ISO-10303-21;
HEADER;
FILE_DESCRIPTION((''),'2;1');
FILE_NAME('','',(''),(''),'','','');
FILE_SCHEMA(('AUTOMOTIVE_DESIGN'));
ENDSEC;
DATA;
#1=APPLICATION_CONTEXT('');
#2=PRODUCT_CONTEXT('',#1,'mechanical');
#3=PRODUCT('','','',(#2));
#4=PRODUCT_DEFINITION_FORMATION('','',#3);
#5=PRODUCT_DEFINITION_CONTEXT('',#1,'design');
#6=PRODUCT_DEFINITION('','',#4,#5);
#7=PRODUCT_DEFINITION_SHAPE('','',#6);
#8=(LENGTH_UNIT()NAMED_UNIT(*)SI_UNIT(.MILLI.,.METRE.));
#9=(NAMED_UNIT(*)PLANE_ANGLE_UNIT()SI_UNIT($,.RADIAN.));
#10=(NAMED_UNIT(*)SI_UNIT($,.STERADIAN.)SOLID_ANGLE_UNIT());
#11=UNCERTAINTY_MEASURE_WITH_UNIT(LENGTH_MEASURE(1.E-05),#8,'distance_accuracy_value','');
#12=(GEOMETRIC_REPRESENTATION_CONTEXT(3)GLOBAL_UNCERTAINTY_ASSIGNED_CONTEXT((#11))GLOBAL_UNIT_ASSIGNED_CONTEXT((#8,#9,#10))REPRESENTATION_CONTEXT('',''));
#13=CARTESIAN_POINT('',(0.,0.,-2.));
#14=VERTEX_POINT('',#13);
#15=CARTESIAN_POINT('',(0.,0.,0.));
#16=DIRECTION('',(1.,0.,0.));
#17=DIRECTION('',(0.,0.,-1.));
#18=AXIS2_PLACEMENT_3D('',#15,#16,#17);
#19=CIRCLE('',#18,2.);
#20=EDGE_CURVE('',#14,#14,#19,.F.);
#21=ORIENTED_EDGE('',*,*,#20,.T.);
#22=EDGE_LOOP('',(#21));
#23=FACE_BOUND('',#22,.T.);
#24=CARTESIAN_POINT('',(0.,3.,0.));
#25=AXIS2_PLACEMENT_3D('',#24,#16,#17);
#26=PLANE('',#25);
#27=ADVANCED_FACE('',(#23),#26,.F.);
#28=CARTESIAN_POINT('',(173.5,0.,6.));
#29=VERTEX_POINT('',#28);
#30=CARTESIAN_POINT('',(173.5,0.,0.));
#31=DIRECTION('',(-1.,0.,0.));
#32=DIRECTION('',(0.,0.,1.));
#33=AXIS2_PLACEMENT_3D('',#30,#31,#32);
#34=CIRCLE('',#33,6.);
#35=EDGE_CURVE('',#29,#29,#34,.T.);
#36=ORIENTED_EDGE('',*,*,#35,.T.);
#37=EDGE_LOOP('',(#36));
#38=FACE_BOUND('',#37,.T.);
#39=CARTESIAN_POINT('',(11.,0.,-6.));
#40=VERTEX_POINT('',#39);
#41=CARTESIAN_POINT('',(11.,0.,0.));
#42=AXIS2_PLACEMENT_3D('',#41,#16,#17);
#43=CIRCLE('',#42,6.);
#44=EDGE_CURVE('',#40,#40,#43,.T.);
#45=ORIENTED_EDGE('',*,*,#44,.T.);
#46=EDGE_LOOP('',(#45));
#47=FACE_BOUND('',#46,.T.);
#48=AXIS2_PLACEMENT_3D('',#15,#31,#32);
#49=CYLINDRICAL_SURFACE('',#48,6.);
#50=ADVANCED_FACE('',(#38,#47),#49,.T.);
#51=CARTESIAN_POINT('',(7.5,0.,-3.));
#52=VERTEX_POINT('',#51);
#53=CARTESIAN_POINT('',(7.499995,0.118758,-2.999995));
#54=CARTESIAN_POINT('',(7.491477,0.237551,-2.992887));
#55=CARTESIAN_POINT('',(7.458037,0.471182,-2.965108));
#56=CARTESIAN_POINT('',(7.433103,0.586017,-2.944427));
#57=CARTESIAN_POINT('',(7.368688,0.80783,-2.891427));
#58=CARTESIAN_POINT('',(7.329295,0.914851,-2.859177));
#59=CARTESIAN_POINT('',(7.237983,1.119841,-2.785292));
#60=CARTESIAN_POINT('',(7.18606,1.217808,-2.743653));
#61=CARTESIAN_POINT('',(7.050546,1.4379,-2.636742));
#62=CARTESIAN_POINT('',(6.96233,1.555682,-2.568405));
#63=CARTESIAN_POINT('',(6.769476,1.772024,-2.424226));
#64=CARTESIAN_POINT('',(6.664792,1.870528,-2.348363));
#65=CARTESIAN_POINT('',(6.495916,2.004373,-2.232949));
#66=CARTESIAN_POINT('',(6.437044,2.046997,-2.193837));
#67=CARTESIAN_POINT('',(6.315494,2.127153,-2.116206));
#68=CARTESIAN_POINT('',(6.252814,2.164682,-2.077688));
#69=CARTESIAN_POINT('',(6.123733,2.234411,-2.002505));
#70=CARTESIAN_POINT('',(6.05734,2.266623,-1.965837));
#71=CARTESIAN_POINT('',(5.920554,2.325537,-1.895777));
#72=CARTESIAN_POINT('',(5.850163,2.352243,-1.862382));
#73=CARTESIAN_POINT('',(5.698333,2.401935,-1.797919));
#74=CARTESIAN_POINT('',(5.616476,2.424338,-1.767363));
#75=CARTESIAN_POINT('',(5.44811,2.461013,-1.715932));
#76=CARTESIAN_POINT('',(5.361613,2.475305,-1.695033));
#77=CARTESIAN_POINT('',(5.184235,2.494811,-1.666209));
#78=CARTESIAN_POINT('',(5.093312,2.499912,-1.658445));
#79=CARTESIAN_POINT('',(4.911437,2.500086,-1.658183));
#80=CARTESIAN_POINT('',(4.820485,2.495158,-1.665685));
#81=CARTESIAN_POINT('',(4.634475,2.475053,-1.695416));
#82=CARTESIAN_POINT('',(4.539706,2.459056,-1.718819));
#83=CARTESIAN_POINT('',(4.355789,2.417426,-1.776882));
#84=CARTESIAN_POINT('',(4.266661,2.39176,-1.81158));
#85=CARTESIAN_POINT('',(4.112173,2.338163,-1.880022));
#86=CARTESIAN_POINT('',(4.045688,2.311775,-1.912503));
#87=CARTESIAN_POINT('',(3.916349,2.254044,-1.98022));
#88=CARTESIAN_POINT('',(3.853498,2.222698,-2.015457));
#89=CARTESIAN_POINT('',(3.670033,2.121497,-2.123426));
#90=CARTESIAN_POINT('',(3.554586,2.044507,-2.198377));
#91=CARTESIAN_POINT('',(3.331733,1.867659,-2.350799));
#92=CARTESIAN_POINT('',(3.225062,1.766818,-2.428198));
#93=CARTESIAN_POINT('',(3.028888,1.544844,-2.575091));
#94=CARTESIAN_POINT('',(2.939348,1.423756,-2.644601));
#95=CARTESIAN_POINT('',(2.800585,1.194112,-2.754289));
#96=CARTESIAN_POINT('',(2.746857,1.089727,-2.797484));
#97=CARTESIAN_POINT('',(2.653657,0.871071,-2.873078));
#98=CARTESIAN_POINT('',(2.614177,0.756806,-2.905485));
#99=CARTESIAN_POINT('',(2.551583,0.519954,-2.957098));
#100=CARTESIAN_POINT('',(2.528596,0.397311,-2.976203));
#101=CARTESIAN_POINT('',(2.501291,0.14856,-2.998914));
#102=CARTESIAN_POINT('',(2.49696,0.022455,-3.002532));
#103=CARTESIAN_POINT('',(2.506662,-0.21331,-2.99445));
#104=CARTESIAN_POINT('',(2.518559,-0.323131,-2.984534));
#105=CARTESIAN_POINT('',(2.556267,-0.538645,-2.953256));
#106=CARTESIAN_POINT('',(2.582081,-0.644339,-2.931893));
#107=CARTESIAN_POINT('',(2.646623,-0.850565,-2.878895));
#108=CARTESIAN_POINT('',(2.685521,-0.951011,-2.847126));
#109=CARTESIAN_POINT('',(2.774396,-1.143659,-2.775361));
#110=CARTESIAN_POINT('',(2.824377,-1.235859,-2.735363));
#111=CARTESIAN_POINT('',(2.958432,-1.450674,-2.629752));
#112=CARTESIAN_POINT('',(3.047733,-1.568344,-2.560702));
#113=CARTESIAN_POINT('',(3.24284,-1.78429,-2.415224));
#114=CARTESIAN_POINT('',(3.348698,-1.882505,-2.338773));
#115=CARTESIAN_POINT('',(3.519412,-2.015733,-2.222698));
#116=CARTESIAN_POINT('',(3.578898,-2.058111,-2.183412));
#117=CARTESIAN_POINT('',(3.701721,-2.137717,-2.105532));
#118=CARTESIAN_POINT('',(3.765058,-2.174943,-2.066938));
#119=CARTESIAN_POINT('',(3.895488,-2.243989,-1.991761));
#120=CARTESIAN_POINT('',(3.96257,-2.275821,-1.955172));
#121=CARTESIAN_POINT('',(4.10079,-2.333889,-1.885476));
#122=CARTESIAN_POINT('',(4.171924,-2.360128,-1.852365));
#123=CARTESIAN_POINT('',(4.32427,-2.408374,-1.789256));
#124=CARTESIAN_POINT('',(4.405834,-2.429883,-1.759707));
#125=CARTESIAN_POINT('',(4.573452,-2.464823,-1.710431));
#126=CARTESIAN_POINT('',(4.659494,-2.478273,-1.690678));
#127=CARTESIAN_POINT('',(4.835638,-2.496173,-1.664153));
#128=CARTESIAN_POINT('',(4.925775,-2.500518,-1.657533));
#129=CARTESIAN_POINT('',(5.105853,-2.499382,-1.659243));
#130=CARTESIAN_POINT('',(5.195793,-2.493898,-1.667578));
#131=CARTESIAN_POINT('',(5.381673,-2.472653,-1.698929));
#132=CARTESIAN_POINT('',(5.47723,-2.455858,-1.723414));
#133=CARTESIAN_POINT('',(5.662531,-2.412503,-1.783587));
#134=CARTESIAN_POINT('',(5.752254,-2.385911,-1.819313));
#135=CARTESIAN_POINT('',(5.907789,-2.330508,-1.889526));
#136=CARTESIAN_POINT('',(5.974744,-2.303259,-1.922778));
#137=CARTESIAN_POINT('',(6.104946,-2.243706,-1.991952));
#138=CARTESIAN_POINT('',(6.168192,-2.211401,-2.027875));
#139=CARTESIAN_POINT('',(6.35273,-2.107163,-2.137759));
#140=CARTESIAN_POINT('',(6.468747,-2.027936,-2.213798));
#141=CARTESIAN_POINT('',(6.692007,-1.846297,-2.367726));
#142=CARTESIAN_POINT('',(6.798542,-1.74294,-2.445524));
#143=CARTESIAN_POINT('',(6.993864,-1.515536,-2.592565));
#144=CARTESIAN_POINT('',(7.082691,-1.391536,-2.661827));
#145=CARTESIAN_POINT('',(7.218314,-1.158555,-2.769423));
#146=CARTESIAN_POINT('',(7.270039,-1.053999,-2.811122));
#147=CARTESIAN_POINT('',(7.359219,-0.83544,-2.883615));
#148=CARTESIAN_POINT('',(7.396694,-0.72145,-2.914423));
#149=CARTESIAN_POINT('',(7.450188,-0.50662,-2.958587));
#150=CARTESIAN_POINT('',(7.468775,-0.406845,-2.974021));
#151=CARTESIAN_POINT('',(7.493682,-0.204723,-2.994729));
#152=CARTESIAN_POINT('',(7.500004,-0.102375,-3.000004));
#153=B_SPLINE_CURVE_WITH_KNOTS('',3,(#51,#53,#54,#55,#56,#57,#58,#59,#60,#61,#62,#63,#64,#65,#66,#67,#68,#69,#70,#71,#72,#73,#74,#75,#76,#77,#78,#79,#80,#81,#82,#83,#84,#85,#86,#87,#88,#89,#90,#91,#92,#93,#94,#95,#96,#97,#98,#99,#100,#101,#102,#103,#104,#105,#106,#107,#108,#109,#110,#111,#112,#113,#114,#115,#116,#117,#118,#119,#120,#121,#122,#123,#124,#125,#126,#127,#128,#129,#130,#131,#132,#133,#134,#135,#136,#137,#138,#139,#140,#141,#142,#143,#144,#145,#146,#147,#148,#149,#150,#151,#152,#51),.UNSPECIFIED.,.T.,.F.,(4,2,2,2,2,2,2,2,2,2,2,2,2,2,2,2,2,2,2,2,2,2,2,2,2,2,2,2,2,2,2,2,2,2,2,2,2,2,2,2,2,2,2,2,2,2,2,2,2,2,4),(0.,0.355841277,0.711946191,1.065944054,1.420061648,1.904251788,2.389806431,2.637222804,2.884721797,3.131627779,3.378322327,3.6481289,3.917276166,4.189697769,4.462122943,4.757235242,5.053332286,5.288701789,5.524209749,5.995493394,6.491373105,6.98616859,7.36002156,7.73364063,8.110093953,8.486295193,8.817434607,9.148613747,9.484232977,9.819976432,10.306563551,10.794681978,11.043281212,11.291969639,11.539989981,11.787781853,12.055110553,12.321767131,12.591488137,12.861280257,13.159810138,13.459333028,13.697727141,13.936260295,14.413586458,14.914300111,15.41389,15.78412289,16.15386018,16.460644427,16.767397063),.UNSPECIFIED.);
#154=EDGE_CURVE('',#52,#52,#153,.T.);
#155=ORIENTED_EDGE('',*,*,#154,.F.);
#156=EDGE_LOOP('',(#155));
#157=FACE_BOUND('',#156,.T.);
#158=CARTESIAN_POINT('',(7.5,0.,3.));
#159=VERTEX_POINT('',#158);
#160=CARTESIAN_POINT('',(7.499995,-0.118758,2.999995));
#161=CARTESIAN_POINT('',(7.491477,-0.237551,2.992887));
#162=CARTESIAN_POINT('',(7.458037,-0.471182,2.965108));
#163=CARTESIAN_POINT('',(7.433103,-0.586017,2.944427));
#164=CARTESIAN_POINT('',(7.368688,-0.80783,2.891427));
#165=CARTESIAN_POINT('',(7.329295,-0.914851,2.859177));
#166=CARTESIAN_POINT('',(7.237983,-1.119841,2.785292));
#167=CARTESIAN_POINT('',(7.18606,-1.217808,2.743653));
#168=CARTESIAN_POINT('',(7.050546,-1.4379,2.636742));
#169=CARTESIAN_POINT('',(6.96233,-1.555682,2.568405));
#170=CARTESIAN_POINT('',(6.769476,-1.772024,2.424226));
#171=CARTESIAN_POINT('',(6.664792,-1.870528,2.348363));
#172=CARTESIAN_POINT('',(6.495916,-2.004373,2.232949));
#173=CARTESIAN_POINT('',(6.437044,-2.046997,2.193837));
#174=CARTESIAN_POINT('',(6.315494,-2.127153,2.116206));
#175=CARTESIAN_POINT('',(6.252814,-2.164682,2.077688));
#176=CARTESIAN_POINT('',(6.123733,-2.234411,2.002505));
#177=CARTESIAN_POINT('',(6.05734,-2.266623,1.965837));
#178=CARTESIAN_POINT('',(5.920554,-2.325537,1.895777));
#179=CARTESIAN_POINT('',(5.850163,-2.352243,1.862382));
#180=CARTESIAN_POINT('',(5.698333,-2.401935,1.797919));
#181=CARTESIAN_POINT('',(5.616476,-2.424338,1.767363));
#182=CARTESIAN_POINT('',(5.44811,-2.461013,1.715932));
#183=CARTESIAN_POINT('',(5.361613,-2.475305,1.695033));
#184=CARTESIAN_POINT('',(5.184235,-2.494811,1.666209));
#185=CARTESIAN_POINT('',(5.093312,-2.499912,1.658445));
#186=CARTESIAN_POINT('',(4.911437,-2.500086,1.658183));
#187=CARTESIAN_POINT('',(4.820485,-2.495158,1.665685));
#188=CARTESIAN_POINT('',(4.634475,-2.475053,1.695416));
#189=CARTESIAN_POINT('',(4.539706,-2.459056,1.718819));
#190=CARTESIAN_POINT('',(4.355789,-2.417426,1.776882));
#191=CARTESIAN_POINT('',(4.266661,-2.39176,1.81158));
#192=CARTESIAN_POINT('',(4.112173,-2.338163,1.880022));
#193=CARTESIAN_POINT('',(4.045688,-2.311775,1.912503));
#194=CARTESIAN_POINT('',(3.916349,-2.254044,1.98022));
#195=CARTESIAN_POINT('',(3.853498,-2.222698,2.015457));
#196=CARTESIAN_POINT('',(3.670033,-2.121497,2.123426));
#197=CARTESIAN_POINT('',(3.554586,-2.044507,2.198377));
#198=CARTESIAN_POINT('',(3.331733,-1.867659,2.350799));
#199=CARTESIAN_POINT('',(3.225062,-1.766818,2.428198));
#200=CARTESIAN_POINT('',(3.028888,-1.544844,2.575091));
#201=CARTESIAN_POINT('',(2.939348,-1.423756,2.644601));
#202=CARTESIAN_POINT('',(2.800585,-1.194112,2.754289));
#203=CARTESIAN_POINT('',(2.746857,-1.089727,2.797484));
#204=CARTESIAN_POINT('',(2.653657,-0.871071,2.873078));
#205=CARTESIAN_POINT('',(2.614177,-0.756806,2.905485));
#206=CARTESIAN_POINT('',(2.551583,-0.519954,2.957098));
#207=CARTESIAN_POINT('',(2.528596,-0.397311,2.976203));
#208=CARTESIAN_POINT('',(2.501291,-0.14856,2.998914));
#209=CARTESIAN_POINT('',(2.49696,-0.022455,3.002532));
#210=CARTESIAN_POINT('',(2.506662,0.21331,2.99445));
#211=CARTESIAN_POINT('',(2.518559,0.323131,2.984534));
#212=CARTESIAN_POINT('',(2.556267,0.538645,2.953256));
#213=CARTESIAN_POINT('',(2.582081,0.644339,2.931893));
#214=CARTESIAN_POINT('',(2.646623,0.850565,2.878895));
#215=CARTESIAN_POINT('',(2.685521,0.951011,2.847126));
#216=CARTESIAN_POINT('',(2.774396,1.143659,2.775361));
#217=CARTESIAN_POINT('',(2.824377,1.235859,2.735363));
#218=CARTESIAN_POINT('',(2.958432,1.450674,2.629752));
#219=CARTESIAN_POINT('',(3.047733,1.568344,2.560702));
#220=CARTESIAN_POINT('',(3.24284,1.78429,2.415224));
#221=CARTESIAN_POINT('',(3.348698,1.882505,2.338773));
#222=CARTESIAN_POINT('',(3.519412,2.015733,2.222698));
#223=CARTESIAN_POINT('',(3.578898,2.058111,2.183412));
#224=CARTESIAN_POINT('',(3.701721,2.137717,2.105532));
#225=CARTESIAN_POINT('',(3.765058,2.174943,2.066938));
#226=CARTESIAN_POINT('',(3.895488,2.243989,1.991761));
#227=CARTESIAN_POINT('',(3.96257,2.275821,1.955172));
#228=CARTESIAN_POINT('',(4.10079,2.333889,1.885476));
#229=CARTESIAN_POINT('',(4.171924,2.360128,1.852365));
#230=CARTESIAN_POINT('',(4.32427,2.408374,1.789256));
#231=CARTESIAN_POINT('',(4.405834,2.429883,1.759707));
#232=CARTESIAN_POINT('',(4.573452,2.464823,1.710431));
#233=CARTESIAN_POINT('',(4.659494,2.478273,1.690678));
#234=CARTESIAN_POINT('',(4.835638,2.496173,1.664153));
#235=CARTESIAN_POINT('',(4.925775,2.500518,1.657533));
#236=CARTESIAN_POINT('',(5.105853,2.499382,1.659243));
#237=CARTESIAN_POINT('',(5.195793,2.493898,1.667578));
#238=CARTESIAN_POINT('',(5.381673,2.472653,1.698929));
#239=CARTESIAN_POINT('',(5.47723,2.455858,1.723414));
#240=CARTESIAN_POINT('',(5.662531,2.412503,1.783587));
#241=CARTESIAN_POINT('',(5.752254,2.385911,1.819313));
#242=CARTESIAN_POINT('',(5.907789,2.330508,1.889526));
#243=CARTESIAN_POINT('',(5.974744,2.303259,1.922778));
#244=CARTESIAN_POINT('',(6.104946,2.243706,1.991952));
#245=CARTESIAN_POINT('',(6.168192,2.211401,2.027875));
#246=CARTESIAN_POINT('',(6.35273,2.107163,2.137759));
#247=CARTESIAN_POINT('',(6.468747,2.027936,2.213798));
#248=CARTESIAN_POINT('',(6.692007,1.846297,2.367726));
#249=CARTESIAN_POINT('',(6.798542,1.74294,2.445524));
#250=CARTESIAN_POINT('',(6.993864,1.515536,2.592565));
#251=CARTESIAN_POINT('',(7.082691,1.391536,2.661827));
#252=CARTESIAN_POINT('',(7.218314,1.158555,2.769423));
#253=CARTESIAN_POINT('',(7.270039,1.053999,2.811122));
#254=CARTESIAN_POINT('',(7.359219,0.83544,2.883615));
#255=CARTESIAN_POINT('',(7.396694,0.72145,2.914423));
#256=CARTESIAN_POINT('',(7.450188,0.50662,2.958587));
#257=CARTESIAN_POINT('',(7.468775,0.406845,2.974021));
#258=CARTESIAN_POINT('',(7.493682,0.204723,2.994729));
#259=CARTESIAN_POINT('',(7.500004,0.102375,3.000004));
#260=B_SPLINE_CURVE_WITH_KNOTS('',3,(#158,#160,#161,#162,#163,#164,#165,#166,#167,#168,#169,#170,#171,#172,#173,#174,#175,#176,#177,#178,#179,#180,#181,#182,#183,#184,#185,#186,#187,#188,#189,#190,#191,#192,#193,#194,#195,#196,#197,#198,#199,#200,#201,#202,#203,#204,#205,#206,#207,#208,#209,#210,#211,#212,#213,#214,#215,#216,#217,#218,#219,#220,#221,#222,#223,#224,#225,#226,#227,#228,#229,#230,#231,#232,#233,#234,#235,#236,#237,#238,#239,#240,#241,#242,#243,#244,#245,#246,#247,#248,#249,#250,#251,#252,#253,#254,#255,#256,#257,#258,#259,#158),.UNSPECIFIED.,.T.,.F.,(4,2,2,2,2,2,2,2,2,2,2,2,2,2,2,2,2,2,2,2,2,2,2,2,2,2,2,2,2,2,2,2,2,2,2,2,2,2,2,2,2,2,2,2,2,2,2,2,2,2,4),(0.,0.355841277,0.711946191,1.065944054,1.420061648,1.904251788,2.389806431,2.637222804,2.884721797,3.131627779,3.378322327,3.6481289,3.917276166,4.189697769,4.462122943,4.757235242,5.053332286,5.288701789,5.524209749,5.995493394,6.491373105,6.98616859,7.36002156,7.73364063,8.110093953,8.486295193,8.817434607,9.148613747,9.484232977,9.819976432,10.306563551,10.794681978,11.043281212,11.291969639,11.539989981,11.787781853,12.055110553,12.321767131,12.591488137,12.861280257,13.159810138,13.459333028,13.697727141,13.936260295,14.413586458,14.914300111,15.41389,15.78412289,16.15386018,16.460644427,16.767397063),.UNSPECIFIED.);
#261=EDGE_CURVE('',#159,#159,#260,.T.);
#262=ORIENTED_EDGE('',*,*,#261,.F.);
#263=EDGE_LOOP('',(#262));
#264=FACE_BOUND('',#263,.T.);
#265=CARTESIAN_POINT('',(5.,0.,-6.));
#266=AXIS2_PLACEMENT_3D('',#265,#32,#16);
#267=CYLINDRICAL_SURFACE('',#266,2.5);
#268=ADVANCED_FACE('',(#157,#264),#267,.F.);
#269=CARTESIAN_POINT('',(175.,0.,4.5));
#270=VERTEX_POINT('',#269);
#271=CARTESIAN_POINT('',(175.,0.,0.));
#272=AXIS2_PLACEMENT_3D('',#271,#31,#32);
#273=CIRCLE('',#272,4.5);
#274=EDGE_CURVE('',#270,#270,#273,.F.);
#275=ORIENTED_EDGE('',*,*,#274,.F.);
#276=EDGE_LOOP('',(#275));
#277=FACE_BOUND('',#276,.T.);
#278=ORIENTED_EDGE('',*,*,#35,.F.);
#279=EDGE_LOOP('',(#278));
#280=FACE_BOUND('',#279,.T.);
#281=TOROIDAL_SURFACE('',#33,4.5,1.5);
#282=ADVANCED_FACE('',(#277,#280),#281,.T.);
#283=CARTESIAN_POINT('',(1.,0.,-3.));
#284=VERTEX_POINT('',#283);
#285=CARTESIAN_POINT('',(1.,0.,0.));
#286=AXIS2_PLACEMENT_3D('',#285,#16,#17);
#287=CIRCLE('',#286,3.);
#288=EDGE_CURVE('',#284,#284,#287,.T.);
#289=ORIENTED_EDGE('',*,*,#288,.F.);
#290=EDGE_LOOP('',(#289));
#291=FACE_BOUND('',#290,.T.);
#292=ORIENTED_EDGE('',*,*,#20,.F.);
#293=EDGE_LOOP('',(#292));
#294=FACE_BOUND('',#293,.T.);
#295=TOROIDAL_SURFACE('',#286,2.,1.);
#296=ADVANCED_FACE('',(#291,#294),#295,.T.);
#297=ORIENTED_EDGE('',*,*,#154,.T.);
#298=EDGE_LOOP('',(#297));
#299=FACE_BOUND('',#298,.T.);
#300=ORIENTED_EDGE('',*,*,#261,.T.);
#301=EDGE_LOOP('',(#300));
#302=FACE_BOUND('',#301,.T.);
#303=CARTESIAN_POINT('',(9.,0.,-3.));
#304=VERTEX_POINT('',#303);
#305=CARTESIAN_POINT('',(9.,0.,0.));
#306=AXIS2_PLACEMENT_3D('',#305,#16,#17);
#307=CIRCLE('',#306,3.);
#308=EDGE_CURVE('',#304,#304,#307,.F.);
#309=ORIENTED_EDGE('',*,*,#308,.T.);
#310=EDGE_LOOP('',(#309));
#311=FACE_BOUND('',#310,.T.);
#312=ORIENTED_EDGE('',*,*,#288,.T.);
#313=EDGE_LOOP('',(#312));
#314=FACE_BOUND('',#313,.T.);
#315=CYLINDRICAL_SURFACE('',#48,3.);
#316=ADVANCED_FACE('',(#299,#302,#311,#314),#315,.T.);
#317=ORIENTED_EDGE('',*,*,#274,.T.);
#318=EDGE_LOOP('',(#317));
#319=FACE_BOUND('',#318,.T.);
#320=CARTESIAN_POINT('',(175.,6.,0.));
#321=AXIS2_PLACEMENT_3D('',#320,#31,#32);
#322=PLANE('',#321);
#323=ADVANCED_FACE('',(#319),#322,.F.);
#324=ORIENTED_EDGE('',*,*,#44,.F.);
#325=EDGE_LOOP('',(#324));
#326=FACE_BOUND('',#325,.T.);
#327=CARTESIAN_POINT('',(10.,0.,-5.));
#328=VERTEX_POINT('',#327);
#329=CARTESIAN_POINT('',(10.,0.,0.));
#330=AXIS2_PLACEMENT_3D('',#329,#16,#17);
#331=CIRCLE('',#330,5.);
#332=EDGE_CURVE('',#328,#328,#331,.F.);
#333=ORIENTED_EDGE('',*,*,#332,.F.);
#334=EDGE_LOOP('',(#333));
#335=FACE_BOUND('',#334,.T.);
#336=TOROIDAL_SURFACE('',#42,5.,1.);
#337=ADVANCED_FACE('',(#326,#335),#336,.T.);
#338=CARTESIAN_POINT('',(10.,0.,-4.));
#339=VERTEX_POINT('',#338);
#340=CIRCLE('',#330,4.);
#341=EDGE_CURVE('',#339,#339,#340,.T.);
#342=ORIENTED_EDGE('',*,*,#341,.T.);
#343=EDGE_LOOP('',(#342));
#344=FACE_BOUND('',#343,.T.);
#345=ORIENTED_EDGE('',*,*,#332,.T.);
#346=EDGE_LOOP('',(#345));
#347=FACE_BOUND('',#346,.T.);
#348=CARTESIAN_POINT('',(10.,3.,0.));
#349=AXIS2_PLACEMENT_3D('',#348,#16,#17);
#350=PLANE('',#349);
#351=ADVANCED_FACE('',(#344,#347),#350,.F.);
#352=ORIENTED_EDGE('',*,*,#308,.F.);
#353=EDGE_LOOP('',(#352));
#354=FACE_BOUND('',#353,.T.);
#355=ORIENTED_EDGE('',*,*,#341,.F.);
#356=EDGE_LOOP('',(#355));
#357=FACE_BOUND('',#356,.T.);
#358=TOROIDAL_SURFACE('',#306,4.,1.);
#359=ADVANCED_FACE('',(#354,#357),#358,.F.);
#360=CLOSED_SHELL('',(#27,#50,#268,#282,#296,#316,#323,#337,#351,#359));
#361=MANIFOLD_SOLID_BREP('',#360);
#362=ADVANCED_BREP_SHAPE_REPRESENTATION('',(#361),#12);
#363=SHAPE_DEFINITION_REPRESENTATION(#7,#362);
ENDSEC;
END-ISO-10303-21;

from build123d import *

# Parameters (mm, degrees)
SKETCH2_R               = 2.5
CUT_EXTRUDE1_DEPTH      = 7
CUT_EXTRUDE1_DEPTH_BACK = 7
FILLET2_R               = 1
FILLET3_R               = 1
FILLET4_R               = 1.5


with BuildPart() as part:
    # Sketch1 → Revolve1 (revolve)
    with BuildSketch(Plane.XY):
        Polygon((0, 3), (10, 3), (10, 6), (175, 6), (175, 0), (0, 0), align=None)
    revolve(axis=Axis((0, 0, 0), (1, 0, 0)))

    # Sketch2 → Cut-Extrude1 (cut, two sides)
    with BuildSketch(Plane.XY) as cut_extrude1_sk:
        with Locations((5, 0)):
            Circle(SKETCH2_R)
    extrude(amount=CUT_EXTRUDE1_DEPTH, mode=Mode.SUBTRACT)
    extrude(cut_extrude1_sk.sketch, amount=-CUT_EXTRUDE1_DEPTH_BACK, mode=Mode.SUBTRACT)

    # Fillet2
    fillet2_edges = [part.edges().sort_by_distance(p)[0] for p in [
        (0, -3, 0),
    ]]
    fillet(fillet2_edges, radius=FILLET2_R)

    # Fillet3
    fillet3_edges = [part.edges().sort_by_distance(p)[0] for p in [
        (10, -6, 0),
        (10, -3, 0),
    ]]
    fillet(fillet3_edges, radius=FILLET3_R)

    # Fillet4
    fillet4_edges = [part.edges().sort_by_distance(p)[0] for p in [
        (175, -6, 0),
    ]]
    fillet(fillet4_edges, radius=FILLET4_R)


solid = part.part
